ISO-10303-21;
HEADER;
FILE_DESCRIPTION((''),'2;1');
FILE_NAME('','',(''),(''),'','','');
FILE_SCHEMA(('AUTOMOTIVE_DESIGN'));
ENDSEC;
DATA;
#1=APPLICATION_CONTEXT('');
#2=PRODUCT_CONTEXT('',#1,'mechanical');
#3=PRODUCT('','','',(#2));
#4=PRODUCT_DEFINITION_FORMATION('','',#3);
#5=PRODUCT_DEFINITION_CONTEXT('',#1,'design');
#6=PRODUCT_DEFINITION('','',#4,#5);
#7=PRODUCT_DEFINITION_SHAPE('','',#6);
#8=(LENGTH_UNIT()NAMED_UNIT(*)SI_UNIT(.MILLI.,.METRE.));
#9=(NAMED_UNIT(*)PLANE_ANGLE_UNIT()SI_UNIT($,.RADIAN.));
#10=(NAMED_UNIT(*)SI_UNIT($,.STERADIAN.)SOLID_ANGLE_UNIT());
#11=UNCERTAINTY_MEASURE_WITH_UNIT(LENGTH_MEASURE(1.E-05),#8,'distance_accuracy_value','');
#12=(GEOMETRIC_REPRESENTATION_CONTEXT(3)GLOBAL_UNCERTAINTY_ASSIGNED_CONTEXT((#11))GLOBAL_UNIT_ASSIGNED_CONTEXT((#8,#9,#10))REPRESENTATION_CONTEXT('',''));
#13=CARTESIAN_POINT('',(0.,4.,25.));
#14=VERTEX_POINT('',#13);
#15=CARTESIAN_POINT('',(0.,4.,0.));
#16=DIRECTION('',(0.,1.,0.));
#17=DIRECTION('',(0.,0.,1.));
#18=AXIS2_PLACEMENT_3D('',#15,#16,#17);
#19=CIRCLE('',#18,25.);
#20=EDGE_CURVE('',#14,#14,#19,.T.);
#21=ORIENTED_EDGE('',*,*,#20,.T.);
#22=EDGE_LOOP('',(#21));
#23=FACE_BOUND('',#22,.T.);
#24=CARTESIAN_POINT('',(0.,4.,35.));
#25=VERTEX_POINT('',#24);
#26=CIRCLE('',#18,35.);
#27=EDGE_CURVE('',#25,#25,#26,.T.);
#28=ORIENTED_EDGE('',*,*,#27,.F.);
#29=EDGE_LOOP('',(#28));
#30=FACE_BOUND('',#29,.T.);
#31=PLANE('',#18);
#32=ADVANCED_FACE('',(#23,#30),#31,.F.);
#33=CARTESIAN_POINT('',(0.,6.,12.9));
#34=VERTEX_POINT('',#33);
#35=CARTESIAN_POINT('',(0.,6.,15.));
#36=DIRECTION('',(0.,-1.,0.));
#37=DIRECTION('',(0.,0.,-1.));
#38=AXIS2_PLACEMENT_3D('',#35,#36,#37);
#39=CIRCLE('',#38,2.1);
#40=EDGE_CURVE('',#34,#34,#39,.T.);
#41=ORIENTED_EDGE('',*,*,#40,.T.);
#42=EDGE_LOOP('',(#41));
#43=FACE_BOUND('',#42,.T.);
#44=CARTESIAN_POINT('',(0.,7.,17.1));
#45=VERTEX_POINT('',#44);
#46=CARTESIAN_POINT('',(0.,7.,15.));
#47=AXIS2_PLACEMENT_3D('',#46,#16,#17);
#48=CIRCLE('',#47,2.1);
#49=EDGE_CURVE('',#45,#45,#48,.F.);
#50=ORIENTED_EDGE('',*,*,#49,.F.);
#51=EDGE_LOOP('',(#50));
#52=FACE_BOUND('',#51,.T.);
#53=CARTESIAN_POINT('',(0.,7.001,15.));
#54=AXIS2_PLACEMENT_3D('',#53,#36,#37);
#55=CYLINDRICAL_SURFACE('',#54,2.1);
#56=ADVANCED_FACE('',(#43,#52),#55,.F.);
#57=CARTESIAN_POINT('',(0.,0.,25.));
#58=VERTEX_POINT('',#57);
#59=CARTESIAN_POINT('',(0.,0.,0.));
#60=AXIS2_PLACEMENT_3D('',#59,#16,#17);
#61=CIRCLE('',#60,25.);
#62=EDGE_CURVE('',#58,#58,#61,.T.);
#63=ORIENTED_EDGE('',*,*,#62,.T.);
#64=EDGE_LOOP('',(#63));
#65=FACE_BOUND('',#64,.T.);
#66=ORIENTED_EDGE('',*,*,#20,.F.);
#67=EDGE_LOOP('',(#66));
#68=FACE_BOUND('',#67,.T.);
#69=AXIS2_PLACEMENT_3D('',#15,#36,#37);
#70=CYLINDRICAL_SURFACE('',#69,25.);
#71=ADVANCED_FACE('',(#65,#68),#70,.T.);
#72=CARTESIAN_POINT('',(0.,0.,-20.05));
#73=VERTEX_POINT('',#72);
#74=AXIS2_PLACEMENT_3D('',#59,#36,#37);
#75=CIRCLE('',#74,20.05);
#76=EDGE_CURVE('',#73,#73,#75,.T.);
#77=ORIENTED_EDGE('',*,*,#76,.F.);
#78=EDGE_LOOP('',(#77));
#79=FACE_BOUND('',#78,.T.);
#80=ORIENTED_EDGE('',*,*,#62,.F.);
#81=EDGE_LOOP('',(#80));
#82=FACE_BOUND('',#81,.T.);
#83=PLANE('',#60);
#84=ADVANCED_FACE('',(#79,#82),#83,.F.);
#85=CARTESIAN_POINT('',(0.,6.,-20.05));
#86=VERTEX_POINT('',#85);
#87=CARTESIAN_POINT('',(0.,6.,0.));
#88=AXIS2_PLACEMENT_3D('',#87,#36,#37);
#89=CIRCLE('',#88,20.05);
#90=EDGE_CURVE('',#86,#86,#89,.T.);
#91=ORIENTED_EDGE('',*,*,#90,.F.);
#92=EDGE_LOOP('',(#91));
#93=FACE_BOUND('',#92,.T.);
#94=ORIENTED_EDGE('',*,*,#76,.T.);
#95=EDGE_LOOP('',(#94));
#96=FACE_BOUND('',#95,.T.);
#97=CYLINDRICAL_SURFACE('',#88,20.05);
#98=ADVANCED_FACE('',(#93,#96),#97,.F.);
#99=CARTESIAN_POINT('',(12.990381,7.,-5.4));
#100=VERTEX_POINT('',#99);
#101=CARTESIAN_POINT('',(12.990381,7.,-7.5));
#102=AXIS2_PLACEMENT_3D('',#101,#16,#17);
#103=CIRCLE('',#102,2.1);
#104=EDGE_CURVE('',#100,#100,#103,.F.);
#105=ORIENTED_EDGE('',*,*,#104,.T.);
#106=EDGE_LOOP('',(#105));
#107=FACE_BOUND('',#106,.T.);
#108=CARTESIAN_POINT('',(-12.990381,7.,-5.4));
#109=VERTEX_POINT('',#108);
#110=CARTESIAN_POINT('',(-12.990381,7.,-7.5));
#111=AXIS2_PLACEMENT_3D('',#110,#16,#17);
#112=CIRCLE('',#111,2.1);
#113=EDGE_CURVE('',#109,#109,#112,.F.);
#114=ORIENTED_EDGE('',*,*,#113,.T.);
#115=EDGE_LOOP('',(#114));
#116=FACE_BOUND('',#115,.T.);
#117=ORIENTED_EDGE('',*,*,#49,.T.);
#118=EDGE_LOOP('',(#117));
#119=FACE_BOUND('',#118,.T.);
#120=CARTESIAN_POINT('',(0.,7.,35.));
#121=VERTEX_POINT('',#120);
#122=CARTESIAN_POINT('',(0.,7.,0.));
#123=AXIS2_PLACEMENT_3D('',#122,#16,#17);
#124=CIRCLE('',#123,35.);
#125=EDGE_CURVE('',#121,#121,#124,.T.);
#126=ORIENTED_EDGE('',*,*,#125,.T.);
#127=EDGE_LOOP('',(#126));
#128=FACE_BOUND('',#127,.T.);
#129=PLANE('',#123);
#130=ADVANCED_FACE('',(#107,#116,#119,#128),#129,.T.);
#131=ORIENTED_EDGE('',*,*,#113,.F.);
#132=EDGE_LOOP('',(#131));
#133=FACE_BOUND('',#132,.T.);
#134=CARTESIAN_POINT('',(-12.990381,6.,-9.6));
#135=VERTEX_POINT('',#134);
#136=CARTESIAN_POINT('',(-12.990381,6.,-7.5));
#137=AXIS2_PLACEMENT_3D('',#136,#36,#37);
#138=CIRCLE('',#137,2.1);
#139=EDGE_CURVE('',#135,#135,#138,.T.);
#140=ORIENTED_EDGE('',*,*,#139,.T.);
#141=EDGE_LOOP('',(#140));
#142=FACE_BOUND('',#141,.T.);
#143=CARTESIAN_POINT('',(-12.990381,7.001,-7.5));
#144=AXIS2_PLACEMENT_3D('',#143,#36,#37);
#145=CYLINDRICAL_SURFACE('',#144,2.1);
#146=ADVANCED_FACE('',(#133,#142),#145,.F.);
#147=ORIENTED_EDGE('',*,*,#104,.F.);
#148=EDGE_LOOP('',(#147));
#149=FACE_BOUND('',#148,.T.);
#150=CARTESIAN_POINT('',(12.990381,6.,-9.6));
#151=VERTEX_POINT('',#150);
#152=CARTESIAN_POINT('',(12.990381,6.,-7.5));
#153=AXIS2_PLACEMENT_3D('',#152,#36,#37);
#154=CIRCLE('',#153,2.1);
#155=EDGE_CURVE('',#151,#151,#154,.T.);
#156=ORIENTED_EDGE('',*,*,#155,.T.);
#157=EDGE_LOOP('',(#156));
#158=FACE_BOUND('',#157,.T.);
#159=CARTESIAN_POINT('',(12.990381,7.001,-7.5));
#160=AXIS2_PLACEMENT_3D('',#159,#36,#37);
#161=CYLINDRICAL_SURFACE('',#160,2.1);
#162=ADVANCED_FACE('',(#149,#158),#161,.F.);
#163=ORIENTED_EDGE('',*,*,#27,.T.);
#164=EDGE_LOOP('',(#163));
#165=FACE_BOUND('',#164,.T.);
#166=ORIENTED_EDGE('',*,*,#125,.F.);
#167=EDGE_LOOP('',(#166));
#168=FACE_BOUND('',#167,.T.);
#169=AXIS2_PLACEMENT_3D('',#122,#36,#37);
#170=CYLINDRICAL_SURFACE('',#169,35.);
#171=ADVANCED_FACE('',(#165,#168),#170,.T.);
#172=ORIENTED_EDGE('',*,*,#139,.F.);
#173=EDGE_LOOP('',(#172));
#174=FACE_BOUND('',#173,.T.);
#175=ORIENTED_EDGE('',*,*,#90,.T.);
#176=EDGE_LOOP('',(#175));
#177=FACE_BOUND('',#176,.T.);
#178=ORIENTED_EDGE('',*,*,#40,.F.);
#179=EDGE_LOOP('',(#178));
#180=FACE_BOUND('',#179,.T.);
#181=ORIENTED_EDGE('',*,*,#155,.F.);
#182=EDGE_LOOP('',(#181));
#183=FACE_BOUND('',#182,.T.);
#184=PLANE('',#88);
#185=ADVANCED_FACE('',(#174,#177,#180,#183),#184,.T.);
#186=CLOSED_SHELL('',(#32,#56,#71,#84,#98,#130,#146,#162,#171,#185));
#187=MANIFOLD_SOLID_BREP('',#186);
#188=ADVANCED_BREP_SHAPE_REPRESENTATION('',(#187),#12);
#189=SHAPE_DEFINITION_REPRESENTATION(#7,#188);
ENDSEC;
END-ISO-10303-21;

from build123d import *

# Parameters (mm, degrees)
SKETCH1_R           = 25
BOSS_EXTRUDE1_DEPTH = 4
SKETCH2_R           = 35
BOSS_EXTRUDE2_DEPTH = 3
SKETCH3_R           = 20.05
CUT_EXTRUDE1_DEPTH  = 6
CUT_EXTRUDE2_REACH  = 51.86
SKETCH4_R           = 2.1


with BuildPart() as part:
    # Sketch1 → Boss-Extrude1 (new body)
    with BuildSketch(Plane(origin=(0, 0, 0), x_dir=(1, 0, 0), z_dir=(0, 1, 0))):
        with Locations(Location((0, 0, 0), (0, 0, 270))):
            Circle(SKETCH1_R)
    extrude(amount=BOSS_EXTRUDE1_DEPTH)

    # Sketch2 → Boss-Extrude2 (add)
    with BuildSketch(Plane(origin=(0, 4, 0), x_dir=(1, 0, 0), z_dir=(0, 1, 0))):
        with Locations(Location((0, 0, 0), (0, 0, 270))):
            Circle(SKETCH2_R)
    extrude(amount=BOSS_EXTRUDE2_DEPTH)

    # Sketch3 → Cut-Extrude1 (cut)
    with BuildSketch(Plane.XZ):
        with Locations(Location((0, 0, 0), (0, 0, 270))):
            Circle(SKETCH3_R)
    extrude(amount=-CUT_EXTRUDE1_DEPTH, mode=Mode.SUBTRACT)

    # Sketch4 → Cut-Extrude2 (cut, up to next)
    with BuildSketch(Plane.XZ.offset(-6), mode=Mode.PRIVATE) as cut_extrude2_sk1:
        with Locations(Location((0, 15, 0), (0, 0, 270))):
            Circle(SKETCH4_R)
    cut_extrude2_tool1 = extrude(cut_extrude2_sk1.sketch, amount=-CUT_EXTRUDE2_REACH, mode=Mode.PRIVATE) & part.part
    # Sketch4 → Cut-Extrude2 (cut, up to next)
    with BuildSketch(Plane.XZ.offset(-6), mode=Mode.PRIVATE) as cut_extrude2_sk2:
        with Locations(Location((-12.990381057, -7.5, 0), (0, 0, 270))):
            Circle(SKETCH4_R)
    cut_extrude2_tool2 = extrude(cut_extrude2_sk2.sketch, amount=-CUT_EXTRUDE2_REACH, mode=Mode.PRIVATE) & part.part
    # Sketch4 → Cut-Extrude2 (cut, up to next)
    with BuildSketch(Plane.XZ.offset(-6), mode=Mode.PRIVATE) as cut_extrude2_sk3:
        with Locations(Location((12.990381057, -7.5, 0), (0, 0, 270))):
            Circle(SKETCH4_R)
    cut_extrude2_tool3 = extrude(cut_extrude2_sk3.sketch, amount=-CUT_EXTRUDE2_REACH, mode=Mode.PRIVATE) & part.part
    add(cut_extrude2_tool1.solids().sort_by_distance((0, 6, 15))[0], mode=Mode.SUBTRACT)
    add(cut_extrude2_tool2.solids().sort_by_distance((-12.990381, 6, -7.5))[0], mode=Mode.SUBTRACT)
    add(cut_extrude2_tool3.solids().sort_by_distance((12.990381, 6, -7.5))[0], mode=Mode.SUBTRACT)


solid = part.part
